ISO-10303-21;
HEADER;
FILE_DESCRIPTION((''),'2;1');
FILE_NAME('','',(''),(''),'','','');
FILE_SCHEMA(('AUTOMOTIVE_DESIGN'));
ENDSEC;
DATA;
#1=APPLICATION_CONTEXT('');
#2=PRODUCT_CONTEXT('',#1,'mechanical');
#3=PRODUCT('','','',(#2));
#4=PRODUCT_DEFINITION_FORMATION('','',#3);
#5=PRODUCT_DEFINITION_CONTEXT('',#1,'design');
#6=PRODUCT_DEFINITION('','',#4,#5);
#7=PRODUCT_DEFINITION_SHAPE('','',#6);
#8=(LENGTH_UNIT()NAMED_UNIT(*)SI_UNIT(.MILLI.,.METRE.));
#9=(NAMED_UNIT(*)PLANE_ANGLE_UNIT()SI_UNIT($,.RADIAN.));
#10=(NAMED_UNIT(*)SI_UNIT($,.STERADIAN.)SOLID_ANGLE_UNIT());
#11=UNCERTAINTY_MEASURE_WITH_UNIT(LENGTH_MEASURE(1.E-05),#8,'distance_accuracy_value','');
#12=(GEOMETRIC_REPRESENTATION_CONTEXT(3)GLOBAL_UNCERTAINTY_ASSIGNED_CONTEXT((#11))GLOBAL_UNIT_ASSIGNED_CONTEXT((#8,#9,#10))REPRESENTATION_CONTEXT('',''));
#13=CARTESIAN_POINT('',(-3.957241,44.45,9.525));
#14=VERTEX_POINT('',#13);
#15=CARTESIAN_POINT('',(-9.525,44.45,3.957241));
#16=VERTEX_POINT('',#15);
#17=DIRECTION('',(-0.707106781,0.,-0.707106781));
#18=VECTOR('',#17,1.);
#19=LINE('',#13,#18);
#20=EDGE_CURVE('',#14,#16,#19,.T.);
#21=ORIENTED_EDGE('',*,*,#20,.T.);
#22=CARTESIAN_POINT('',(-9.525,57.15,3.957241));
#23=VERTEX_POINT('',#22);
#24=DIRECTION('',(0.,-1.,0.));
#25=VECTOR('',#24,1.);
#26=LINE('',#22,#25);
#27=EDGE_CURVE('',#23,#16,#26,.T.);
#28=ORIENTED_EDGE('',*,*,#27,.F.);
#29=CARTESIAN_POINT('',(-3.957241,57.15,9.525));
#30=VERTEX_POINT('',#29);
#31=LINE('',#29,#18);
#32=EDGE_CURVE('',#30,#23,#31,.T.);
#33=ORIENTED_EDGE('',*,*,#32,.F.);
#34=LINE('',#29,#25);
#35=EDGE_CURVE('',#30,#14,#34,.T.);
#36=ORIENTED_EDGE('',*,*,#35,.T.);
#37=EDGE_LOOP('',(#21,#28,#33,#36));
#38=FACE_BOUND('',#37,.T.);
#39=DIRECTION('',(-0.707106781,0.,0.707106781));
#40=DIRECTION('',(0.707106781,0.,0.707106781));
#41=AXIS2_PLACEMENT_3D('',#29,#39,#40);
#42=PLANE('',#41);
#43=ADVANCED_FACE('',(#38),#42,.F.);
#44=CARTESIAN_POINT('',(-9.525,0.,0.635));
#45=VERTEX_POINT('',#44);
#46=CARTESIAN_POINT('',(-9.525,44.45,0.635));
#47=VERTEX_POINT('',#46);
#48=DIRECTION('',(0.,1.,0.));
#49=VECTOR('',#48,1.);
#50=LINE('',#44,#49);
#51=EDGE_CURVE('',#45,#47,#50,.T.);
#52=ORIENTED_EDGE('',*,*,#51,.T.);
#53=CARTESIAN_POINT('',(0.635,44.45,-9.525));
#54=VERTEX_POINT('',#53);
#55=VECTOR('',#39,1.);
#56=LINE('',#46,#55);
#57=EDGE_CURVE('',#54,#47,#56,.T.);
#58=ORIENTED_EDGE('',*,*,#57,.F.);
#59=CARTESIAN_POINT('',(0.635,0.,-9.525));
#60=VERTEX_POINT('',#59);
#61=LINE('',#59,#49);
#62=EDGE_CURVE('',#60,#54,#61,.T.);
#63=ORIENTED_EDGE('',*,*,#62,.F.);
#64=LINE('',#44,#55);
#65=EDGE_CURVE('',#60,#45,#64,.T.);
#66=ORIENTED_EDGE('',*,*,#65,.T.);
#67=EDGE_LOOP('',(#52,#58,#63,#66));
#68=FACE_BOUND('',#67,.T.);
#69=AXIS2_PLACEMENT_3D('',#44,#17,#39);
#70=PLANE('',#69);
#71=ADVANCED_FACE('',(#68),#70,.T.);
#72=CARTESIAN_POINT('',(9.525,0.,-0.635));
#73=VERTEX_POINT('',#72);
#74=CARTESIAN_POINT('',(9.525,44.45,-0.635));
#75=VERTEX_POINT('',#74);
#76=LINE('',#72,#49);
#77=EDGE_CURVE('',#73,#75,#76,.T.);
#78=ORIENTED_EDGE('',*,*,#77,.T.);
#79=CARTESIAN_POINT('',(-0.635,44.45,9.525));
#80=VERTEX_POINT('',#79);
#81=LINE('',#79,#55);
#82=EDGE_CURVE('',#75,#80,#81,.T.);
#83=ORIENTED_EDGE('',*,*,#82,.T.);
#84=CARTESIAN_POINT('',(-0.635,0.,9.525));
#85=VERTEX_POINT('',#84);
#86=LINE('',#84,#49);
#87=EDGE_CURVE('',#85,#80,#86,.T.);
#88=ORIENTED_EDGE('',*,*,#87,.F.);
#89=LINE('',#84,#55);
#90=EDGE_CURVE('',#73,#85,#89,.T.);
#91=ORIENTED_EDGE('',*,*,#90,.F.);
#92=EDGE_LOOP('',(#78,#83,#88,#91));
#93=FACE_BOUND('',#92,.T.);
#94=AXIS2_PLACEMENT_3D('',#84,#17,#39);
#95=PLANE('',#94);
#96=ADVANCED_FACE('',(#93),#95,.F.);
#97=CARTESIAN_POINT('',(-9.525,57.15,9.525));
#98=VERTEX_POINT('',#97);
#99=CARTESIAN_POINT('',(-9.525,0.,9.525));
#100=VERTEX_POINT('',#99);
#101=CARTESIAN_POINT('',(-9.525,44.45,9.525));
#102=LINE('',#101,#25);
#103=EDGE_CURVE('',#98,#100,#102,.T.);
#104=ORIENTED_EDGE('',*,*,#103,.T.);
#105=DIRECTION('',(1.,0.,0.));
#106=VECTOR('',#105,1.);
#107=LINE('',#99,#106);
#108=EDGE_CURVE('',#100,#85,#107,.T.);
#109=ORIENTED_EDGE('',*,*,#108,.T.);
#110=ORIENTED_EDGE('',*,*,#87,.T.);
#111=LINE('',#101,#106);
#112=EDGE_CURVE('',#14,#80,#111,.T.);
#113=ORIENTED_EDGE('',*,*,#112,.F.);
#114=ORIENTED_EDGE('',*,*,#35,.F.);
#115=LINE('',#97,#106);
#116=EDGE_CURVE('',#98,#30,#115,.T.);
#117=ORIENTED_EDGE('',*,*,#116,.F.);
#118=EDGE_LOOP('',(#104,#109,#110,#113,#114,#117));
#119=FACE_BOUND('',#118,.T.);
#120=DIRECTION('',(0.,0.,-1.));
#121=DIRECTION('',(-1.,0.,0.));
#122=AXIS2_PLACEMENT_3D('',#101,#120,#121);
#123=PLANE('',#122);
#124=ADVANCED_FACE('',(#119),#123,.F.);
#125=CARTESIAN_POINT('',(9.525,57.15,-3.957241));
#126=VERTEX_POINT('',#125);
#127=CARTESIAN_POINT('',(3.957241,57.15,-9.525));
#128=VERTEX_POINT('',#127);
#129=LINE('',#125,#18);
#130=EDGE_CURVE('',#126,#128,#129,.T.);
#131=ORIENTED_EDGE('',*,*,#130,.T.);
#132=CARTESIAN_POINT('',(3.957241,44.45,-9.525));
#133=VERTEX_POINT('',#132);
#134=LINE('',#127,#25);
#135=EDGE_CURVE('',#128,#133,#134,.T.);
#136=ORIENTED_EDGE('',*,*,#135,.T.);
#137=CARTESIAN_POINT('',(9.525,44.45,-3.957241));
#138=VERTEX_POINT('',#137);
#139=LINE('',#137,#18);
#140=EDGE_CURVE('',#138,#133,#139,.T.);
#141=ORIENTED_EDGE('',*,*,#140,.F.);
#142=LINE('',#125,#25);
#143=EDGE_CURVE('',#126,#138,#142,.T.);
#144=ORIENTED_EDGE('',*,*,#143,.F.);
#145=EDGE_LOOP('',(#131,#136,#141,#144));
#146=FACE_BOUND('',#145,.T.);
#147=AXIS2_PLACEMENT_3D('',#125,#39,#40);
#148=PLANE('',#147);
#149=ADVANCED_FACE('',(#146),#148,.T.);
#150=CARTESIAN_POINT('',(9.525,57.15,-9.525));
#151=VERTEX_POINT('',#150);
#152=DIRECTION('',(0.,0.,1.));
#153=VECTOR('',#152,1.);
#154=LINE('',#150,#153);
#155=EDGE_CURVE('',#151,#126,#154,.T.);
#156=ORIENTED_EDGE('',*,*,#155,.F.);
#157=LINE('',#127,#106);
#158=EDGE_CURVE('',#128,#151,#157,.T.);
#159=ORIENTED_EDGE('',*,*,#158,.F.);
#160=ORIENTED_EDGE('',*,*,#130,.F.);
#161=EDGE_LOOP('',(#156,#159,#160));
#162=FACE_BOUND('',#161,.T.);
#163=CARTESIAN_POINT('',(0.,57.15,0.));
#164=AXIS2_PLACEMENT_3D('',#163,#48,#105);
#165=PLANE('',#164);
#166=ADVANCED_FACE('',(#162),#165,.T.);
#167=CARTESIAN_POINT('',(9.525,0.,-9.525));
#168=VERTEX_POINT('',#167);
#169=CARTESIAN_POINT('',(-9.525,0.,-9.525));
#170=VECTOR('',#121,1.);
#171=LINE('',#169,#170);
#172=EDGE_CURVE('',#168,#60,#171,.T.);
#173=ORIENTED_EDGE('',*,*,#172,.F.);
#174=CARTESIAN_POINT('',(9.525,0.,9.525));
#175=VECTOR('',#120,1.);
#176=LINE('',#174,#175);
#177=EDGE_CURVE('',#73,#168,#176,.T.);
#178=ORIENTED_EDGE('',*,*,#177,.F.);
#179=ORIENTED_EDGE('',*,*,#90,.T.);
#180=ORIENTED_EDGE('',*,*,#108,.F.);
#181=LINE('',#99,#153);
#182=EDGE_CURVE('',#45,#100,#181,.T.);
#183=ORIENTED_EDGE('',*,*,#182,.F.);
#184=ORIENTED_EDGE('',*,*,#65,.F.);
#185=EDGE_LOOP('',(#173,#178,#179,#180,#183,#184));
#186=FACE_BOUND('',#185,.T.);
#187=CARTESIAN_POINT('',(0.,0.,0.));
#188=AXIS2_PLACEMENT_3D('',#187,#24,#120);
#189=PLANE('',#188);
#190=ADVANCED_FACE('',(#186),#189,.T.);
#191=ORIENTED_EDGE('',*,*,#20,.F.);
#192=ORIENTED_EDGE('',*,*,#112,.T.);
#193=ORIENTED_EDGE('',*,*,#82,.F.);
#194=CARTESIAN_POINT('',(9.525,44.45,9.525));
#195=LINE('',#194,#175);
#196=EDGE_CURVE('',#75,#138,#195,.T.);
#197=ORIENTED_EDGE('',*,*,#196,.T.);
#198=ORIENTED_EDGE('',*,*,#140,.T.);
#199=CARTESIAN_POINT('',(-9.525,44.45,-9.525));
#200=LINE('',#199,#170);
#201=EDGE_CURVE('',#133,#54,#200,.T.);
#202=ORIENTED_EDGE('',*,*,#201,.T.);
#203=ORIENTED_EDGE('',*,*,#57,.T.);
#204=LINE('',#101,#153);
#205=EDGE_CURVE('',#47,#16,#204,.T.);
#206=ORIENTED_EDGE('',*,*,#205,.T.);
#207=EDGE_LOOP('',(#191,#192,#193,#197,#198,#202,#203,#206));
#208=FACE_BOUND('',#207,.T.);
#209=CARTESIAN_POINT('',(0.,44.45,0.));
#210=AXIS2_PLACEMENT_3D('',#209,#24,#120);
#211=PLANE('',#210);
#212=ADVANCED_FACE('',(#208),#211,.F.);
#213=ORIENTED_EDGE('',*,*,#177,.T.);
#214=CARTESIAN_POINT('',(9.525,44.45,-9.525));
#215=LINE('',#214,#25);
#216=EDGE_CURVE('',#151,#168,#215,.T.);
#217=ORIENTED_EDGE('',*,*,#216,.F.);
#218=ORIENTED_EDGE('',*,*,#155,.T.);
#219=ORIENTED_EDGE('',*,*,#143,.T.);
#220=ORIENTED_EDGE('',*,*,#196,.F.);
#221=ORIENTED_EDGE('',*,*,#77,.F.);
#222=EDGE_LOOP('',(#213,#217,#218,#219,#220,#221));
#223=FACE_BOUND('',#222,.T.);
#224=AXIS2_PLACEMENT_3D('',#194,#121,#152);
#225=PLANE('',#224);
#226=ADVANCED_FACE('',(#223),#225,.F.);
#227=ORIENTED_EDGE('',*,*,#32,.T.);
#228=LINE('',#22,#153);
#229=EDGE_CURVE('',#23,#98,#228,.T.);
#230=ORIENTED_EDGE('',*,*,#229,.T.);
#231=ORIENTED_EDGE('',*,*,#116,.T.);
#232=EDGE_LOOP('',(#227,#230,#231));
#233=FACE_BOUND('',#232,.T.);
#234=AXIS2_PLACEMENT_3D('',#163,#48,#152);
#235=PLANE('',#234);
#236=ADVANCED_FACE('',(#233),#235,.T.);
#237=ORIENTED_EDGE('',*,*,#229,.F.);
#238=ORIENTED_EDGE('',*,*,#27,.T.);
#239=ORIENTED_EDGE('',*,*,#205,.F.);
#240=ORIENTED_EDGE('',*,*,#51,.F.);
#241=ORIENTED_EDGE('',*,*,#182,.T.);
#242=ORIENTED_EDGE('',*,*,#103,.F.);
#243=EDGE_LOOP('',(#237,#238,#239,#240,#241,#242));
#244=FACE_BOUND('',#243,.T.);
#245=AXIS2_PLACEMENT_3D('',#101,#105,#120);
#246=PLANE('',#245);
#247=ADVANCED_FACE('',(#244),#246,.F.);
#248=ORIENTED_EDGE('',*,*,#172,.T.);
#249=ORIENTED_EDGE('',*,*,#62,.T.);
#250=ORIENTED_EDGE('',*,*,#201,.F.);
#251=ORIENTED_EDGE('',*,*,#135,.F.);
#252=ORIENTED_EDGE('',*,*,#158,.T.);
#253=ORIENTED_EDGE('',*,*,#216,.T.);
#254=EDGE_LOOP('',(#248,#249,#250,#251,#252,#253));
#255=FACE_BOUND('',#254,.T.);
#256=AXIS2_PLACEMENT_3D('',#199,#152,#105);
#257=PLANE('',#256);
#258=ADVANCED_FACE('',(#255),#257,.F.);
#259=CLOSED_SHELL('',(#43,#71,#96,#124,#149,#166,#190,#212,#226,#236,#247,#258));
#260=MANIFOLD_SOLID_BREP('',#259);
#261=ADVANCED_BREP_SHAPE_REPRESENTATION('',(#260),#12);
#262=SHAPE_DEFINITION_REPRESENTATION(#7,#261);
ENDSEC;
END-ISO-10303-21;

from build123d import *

# Parameters (mm, degrees)
SKETCH1_W           = 19.05
SKETCH1_H           = 19.05
BOSS_EXTRUDE1_DEPTH = 44.45
BOSS_EXTRUDE2_DEPTH = 12.7
CUT_EXTRUDE1_DEPTH  = 45.45


with BuildPart() as part:
    # Sketch1 → Boss-Extrude1 (new body)
    with BuildSketch(Plane(origin=(0, 0, 0), x_dir=(1, 0, 0), z_dir=(0, 1, 0))):
        Rectangle(SKETCH1_W, SKETCH1_H)
    extrude(amount=BOSS_EXTRUDE1_DEPTH)

    # Sketch2 → Boss-Extrude2 (add)
    with BuildSketch(Plane(origin=(0, 44.45, 0), x_dir=(1, 0, 0), z_dir=(0, 1, 0))):
        Polygon((-9.525, -9.525), (-3.957241205, -9.525), (-9.525, -3.957241205), align=None)
    boss_extrude2 = extrude(amount=BOSS_EXTRUDE2_DEPTH)

    # Mirror1: Boss-Extrude2 across plane
    add(boss_extrude2.mirror(Plane(origin=(0, 0, 0), x_dir=(0.707106781, 0, 0.707106781), z_dir=(-0.707106781, 0, 0.707106781))))

    # Sketch3 → Cut-Extrude1 (cut, through all)
    with BuildSketch(Plane(origin=(0, 44.45, 0), x_dir=(1, 0, 0), z_dir=(0, 1, 0))):
        Polygon((9.525, -9.525), (-0.635, -9.525), (9.525, 0.635), align=None)
    cut_extrude1 = extrude(amount=-CUT_EXTRUDE1_DEPTH, mode=Mode.SUBTRACT)

    # Mirror2: Cut-Extrude1 across plane
    add(cut_extrude1.mirror(Plane(origin=(0, 0, 0), x_dir=(-0.707106781, 0, 0.707106781), z_dir=(-0.707106781, 0, -0.707106781))), mode=Mode.SUBTRACT)


solid = part.part
